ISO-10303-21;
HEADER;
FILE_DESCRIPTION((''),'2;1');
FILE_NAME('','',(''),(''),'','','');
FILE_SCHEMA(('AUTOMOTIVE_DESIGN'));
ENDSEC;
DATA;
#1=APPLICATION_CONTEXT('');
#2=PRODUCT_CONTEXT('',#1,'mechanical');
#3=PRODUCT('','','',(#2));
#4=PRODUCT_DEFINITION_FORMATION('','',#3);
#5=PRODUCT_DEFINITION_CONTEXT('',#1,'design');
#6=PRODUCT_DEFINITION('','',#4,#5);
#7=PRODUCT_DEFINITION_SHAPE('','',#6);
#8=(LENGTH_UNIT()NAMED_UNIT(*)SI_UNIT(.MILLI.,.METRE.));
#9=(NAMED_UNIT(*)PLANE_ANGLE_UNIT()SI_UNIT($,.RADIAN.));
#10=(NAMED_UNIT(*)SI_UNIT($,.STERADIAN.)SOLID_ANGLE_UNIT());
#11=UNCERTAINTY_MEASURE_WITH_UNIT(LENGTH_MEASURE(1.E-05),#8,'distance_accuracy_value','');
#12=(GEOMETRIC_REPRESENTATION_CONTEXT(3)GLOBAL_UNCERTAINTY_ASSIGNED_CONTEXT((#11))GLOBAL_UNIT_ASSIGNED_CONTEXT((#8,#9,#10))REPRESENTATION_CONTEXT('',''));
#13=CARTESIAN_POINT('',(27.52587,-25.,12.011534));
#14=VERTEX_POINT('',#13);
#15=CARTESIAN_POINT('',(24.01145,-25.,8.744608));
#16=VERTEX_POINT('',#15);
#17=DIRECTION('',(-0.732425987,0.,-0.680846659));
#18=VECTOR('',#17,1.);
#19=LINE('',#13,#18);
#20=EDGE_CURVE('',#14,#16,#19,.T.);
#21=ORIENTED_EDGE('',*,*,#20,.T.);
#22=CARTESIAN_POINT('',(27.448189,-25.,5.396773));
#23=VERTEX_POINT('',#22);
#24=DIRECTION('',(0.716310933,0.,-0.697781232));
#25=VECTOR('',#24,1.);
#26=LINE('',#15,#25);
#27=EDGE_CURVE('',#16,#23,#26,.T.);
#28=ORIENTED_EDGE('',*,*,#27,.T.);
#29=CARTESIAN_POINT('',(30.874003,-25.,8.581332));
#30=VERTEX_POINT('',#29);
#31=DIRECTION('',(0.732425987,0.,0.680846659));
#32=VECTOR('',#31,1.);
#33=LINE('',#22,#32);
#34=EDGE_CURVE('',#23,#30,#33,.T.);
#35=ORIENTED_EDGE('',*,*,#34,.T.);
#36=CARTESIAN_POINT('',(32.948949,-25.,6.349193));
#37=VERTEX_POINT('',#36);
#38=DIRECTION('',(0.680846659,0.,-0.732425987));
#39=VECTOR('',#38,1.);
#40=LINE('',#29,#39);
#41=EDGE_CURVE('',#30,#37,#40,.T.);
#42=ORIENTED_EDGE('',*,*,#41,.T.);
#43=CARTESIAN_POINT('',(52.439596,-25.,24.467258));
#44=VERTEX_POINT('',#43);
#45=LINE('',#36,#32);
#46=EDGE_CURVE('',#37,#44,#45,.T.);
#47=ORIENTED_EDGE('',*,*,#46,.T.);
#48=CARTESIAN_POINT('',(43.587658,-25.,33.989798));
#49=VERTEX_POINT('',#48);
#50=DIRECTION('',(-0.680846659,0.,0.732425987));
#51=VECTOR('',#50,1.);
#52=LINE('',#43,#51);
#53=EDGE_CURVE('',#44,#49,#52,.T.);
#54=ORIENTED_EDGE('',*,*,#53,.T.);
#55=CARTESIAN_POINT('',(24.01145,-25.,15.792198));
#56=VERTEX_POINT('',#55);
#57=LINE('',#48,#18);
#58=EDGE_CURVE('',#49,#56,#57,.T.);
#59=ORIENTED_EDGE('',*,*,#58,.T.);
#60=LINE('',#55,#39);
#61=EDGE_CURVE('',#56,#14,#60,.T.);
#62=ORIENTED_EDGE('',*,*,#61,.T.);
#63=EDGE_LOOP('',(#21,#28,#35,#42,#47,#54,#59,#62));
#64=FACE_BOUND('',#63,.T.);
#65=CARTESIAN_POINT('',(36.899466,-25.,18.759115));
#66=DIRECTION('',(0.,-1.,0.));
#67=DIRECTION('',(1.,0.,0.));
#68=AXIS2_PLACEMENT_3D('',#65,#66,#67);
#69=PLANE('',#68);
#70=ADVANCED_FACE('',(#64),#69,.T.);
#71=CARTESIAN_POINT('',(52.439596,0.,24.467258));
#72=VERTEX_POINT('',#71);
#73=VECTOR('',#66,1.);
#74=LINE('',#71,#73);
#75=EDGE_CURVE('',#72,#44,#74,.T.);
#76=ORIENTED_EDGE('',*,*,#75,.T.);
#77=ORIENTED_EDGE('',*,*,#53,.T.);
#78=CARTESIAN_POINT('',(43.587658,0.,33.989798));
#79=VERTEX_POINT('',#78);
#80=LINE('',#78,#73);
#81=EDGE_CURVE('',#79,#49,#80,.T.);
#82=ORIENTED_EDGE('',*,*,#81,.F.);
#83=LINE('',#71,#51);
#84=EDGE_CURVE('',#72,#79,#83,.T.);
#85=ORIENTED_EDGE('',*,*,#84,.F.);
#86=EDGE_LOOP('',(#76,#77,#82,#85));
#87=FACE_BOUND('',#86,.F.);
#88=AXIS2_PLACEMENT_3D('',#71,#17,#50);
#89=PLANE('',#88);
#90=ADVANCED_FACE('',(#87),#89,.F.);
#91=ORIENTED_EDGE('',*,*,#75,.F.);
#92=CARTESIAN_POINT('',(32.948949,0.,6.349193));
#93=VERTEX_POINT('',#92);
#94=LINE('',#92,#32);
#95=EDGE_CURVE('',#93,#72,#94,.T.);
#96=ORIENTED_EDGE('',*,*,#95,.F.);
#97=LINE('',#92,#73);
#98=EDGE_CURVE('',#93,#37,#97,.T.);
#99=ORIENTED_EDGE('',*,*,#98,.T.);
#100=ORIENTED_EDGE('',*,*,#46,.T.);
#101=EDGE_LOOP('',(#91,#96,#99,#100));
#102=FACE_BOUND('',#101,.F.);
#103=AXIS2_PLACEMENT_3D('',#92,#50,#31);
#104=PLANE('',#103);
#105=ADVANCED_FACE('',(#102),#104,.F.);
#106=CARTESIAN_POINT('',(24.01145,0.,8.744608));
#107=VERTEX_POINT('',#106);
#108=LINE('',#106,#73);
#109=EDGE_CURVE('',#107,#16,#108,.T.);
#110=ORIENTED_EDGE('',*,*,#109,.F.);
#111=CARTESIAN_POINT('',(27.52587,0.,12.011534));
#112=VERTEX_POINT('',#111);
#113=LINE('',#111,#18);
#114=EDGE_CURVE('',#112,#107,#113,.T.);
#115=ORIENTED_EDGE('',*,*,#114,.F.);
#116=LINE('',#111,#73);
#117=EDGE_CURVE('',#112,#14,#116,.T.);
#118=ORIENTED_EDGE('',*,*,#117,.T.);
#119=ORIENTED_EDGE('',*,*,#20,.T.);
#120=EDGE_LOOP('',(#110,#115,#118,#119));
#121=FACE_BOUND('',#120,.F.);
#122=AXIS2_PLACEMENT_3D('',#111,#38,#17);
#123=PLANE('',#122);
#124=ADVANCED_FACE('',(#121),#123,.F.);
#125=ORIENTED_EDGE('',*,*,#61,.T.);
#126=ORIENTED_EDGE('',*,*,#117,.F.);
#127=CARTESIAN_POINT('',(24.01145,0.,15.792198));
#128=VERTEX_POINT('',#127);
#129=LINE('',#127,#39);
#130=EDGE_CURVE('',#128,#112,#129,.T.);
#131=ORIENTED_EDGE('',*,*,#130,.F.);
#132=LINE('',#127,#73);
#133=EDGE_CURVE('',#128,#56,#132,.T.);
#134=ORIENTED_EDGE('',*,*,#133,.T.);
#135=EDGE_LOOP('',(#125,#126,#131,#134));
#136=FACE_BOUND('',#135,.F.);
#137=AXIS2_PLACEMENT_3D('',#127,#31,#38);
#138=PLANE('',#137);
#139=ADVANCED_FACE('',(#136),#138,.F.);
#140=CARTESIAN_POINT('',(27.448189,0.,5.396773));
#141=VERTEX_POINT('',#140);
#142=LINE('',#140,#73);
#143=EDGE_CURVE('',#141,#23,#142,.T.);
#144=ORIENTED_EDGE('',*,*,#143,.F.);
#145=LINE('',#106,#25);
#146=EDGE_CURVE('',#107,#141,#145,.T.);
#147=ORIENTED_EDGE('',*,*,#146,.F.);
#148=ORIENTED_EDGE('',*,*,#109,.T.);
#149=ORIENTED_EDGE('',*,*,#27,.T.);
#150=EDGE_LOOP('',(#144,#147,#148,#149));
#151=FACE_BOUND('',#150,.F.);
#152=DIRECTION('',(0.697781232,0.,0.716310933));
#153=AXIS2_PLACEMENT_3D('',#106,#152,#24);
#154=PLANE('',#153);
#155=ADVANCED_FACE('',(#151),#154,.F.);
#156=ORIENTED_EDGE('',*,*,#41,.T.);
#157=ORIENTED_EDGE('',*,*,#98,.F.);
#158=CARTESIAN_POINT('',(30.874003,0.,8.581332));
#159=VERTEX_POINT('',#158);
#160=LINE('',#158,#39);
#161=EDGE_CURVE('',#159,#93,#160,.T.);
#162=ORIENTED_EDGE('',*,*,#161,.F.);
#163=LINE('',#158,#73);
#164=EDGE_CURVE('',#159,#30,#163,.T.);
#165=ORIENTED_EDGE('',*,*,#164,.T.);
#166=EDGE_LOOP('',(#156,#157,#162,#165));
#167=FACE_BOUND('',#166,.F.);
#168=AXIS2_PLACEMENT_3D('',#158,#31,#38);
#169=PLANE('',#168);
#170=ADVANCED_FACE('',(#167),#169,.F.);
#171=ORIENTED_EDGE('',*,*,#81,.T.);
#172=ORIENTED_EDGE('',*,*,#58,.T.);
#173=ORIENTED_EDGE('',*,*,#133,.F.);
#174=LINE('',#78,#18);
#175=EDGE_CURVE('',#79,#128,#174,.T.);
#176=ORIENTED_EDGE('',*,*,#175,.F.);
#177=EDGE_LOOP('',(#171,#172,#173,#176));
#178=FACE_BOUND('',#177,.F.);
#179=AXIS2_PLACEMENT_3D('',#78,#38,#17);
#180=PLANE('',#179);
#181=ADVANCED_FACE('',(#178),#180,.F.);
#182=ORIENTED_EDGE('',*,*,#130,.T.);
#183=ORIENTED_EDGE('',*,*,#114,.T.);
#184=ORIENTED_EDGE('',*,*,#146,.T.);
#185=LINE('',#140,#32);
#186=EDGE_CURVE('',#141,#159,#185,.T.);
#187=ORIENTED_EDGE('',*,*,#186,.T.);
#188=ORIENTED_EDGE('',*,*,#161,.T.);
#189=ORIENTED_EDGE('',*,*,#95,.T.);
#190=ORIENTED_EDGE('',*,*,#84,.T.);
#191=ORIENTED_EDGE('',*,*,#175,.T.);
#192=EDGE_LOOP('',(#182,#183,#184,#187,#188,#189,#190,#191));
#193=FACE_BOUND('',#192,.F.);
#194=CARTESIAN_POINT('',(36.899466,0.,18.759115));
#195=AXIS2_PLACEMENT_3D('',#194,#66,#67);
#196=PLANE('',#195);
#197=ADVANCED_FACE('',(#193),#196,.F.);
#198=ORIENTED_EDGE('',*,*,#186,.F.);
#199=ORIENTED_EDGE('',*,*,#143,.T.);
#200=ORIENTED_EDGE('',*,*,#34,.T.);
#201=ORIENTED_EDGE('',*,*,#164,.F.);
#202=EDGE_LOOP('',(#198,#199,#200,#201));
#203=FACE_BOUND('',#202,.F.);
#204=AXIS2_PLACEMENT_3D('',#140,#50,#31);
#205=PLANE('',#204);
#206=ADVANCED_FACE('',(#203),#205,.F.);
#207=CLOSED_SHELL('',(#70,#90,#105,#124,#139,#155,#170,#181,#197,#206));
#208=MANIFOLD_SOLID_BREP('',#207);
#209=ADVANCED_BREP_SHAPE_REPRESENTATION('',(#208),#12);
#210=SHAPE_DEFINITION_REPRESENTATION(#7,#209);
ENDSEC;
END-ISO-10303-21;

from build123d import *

# Parameters (mm, degrees)
F0_W     = 4.2024515569
F0_H     = 12.3226391152
F1_DEPTH = 25


with BuildPart() as f1:
    # F0 (on Front) → F1 (new body)
    with BuildSketch(Plane.XZ):
        with Locations((22.6418208331, -0.4750718363)):
            Rectangle(F0_W, F0_H)
    extrude(amount=F1_DEPTH)


with BuildPart() as f1b:
    # F0 (on Front) → F1, piece 2 (new body)
    with BuildSketch(Plane.XZ):
        Polygon((52.4395957523, 24.4672579743), (43.5876576167, 33.9897979507), (24.0114504894, 15.7921978513), (27.5258704588, 12.0115337595), (24.0114504894, 8.7446083143), (27.4481885135, 5.3967726417), (30.8740026641, 8.5813321185), (32.9489489509, 6.3491928217), align=None)
    extrude(amount=F1_DEPTH)


solid = f1b.part
